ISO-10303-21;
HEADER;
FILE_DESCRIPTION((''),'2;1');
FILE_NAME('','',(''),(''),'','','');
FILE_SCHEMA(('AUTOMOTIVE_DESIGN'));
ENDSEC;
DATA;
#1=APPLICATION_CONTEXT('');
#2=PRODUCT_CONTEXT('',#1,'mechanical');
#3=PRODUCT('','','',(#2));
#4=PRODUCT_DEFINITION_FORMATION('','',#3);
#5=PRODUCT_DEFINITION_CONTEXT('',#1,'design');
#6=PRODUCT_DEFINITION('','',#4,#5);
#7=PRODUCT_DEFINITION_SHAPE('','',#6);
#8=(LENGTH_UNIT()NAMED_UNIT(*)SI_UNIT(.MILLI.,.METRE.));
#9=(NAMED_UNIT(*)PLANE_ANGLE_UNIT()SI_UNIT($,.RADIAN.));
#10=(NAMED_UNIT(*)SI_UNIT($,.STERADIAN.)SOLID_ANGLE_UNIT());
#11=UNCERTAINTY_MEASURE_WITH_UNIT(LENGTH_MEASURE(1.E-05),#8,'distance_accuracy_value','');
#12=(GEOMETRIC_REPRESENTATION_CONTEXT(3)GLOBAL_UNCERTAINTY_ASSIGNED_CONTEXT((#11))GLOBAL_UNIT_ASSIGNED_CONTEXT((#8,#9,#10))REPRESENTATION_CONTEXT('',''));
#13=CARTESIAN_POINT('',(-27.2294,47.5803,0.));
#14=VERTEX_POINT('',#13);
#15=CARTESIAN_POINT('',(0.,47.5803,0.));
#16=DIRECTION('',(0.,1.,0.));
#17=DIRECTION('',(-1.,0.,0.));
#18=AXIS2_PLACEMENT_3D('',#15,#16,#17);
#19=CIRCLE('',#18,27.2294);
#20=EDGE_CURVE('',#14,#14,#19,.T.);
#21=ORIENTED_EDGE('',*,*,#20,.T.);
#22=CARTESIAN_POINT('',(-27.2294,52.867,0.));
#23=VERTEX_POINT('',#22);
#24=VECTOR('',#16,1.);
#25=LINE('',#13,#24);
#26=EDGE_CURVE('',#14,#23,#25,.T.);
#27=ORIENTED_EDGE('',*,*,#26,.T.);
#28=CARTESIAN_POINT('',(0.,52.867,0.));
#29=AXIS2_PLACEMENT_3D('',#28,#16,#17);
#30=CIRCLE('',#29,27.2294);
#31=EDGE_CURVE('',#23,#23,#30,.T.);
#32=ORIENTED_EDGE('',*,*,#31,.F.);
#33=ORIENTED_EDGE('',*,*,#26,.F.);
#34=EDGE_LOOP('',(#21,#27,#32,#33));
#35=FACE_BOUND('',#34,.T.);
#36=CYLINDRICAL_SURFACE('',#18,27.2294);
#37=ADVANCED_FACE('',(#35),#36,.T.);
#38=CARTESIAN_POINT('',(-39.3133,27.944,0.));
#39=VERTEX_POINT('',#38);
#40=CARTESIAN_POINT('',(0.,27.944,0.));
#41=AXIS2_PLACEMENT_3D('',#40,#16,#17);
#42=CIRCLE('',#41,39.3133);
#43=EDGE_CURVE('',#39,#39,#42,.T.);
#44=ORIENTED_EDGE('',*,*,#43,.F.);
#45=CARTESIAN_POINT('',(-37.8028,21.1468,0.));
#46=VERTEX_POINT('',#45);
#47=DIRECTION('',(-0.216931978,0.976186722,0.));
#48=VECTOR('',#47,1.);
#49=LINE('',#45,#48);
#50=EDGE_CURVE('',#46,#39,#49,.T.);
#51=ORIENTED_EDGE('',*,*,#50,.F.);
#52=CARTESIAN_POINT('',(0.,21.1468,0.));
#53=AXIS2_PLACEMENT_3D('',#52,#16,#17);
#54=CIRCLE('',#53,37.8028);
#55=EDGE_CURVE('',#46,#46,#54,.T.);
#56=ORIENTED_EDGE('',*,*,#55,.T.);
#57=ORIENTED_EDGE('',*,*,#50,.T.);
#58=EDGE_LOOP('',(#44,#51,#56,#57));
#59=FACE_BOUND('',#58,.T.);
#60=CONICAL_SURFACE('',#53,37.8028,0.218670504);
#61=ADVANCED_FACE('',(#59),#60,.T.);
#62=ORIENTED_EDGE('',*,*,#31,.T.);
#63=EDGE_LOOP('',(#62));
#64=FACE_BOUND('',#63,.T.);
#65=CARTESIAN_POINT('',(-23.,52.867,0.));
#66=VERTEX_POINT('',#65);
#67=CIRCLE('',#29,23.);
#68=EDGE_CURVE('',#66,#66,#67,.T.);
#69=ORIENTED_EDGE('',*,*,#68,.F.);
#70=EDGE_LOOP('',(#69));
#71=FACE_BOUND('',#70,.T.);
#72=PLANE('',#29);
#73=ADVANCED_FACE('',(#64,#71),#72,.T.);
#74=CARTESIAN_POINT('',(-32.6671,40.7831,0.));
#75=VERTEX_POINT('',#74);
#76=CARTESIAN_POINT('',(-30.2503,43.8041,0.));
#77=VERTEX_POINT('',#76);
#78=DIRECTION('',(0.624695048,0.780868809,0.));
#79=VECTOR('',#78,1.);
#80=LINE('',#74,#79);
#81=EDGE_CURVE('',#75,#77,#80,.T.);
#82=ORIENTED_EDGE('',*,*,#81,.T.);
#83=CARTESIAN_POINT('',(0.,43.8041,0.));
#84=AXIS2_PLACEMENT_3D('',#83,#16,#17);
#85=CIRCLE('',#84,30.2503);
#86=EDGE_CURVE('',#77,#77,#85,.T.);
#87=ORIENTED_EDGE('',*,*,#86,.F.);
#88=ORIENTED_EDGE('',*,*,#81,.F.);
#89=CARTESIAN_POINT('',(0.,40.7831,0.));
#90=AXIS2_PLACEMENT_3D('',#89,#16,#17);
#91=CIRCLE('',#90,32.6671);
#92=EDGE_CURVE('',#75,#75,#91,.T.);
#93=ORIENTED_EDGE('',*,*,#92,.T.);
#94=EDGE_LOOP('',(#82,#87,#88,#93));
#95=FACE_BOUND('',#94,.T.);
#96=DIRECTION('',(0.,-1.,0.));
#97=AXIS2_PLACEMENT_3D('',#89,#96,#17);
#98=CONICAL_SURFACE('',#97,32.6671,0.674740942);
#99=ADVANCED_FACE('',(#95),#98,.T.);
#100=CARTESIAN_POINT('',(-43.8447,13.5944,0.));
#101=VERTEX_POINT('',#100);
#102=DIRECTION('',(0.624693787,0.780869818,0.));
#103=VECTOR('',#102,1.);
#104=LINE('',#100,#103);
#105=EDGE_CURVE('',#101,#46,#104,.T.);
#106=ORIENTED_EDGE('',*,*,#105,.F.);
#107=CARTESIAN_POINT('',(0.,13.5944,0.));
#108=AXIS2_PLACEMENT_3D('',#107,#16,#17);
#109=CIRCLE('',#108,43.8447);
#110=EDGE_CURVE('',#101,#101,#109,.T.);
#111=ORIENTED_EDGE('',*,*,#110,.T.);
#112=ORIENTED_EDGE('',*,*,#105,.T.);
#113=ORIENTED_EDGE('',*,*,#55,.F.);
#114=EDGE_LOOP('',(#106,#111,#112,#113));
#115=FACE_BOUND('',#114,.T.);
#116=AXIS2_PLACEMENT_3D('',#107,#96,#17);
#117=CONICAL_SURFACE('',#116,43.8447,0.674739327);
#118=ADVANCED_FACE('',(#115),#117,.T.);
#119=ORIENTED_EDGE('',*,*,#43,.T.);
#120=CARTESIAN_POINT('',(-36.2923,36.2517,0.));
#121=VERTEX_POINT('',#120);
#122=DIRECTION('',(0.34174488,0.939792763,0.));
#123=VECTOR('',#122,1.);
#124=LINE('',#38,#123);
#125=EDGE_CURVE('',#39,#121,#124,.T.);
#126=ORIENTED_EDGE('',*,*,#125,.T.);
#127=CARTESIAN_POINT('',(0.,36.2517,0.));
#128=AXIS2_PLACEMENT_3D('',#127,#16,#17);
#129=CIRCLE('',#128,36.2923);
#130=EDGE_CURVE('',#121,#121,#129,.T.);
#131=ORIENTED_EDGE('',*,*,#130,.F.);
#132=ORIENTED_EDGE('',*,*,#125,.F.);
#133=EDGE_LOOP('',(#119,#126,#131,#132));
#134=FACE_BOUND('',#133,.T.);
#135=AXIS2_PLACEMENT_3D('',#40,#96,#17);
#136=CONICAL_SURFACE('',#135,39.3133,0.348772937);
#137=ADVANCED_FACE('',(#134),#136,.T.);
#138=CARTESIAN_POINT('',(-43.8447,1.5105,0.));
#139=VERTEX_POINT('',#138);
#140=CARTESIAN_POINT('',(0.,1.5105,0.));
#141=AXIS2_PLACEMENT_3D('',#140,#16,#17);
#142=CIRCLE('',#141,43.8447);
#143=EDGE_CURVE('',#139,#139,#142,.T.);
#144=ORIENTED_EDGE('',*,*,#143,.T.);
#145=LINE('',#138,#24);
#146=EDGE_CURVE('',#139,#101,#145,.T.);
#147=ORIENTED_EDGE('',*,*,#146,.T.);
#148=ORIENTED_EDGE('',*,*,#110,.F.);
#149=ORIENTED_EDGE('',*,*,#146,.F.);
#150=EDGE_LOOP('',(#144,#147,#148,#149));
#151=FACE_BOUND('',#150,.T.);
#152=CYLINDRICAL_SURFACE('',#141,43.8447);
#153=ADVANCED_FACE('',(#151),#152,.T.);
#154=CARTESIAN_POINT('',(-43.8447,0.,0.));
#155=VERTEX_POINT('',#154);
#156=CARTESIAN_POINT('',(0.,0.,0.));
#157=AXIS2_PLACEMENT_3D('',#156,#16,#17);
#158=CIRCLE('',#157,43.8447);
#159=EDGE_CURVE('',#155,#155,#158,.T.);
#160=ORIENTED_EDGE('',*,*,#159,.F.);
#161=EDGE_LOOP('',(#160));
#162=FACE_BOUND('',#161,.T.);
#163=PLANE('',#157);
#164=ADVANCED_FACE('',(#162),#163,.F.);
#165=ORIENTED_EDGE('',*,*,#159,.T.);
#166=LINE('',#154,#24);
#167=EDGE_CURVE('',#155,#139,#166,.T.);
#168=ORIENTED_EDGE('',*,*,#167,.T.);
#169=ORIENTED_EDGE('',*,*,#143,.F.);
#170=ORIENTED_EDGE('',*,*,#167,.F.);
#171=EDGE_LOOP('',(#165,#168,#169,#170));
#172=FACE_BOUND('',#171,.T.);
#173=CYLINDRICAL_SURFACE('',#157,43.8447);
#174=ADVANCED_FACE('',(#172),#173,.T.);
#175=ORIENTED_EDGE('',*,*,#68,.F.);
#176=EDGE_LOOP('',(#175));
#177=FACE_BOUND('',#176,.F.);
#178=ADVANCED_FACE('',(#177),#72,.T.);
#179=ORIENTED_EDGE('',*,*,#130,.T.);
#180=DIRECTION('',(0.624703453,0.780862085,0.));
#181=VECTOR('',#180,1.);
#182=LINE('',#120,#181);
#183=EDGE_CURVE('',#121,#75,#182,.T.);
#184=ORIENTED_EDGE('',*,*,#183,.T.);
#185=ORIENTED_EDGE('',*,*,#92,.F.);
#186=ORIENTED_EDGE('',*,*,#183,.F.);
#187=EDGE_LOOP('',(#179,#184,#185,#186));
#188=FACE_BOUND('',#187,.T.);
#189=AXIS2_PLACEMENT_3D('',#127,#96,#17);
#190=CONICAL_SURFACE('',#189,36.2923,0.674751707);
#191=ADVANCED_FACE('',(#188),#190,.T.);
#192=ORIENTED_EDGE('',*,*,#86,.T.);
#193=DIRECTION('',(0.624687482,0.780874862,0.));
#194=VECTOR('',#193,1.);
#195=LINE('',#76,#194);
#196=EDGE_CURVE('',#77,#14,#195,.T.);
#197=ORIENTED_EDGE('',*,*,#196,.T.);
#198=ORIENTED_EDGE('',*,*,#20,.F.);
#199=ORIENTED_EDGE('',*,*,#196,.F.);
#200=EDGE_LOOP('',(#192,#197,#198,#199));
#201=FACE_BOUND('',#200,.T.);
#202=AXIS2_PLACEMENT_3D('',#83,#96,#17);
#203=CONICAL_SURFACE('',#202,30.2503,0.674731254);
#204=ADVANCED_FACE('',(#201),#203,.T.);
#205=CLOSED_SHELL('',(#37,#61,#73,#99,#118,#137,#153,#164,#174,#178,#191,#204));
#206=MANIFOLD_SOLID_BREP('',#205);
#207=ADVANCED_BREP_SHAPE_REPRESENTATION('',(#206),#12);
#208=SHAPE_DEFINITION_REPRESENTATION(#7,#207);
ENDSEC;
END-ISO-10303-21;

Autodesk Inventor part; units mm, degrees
ref_plane "YZ Plane" through (0, 0, 0) normal (1, 0, 0) x (0, 1, 0)
ref_plane "XZ Plane" through (0, 0, 0) normal (0, 1, 0) x (-1, 0, 0)
ref_plane "XY Plane" through (0, 0, 0) normal (0, 0, 1) x (1, 0, 0)
sketch "Boceto2" plane through (0, 0, 0) normal (0, 0, 1) x (1, 0, 0)
  line L0 (-105.6698, 187.1112) -> (110.1141, 187.1112) construction
  line L1 (110.1141, 187.1112) -> (110.1141, -25.0762) construction
  line L2 (110.1141, -25.0762) -> (-105.6698, -25.0762) construction
  line L3 (-105.6698, -25.0762) -> (-105.6698, 187.1112) construction
  line L4 (0, 0) -> (0, 52.867)
  line L5 (0, 52.867) -> (0, 0)
  line L6 (-43.8447, 1.5105) -> (-43.8447, 13.5944)
  line L7 (-43.8447, 13.5944) -> (-37.8028, 21.1468)
  line L8 (-37.8028, 21.1468) -> (-39.3133, 27.944)
  line L9 (-39.3133, 27.944) -> (-36.2923, 36.2517)
  line L10 (-36.2923, 36.2517) -> (-32.6671, 40.7831)
  line L11 (-32.6671, 40.7831) -> (-30.2503, 43.8041)
  line L12 (-30.2503, 43.8041) -> (-27.2294, 47.5803)
  line L13 (-27.2294, 47.5803) -> (-27.2294, 52.867)
  line L14 (-27.2294, 52.867) -> (-23, 52.867)
  line L15 (0, 52.867) -> (-23, 52.867)
  line L16 (-27.2294, 52.867) -> (-23, 52.867)
  line L17 (0, 0) -> (-43.8447, 0)
  line L18 (-43.8447, 0) -> (-43.8447, 1.5105)
  dimension "d18" = 23
revolve "Revolución1" add sketch "Boceto2" angle 360 about axis through (0, 0, 0) along (0, 1, 0)
properties part number "KINGHT BASE 1.1"
